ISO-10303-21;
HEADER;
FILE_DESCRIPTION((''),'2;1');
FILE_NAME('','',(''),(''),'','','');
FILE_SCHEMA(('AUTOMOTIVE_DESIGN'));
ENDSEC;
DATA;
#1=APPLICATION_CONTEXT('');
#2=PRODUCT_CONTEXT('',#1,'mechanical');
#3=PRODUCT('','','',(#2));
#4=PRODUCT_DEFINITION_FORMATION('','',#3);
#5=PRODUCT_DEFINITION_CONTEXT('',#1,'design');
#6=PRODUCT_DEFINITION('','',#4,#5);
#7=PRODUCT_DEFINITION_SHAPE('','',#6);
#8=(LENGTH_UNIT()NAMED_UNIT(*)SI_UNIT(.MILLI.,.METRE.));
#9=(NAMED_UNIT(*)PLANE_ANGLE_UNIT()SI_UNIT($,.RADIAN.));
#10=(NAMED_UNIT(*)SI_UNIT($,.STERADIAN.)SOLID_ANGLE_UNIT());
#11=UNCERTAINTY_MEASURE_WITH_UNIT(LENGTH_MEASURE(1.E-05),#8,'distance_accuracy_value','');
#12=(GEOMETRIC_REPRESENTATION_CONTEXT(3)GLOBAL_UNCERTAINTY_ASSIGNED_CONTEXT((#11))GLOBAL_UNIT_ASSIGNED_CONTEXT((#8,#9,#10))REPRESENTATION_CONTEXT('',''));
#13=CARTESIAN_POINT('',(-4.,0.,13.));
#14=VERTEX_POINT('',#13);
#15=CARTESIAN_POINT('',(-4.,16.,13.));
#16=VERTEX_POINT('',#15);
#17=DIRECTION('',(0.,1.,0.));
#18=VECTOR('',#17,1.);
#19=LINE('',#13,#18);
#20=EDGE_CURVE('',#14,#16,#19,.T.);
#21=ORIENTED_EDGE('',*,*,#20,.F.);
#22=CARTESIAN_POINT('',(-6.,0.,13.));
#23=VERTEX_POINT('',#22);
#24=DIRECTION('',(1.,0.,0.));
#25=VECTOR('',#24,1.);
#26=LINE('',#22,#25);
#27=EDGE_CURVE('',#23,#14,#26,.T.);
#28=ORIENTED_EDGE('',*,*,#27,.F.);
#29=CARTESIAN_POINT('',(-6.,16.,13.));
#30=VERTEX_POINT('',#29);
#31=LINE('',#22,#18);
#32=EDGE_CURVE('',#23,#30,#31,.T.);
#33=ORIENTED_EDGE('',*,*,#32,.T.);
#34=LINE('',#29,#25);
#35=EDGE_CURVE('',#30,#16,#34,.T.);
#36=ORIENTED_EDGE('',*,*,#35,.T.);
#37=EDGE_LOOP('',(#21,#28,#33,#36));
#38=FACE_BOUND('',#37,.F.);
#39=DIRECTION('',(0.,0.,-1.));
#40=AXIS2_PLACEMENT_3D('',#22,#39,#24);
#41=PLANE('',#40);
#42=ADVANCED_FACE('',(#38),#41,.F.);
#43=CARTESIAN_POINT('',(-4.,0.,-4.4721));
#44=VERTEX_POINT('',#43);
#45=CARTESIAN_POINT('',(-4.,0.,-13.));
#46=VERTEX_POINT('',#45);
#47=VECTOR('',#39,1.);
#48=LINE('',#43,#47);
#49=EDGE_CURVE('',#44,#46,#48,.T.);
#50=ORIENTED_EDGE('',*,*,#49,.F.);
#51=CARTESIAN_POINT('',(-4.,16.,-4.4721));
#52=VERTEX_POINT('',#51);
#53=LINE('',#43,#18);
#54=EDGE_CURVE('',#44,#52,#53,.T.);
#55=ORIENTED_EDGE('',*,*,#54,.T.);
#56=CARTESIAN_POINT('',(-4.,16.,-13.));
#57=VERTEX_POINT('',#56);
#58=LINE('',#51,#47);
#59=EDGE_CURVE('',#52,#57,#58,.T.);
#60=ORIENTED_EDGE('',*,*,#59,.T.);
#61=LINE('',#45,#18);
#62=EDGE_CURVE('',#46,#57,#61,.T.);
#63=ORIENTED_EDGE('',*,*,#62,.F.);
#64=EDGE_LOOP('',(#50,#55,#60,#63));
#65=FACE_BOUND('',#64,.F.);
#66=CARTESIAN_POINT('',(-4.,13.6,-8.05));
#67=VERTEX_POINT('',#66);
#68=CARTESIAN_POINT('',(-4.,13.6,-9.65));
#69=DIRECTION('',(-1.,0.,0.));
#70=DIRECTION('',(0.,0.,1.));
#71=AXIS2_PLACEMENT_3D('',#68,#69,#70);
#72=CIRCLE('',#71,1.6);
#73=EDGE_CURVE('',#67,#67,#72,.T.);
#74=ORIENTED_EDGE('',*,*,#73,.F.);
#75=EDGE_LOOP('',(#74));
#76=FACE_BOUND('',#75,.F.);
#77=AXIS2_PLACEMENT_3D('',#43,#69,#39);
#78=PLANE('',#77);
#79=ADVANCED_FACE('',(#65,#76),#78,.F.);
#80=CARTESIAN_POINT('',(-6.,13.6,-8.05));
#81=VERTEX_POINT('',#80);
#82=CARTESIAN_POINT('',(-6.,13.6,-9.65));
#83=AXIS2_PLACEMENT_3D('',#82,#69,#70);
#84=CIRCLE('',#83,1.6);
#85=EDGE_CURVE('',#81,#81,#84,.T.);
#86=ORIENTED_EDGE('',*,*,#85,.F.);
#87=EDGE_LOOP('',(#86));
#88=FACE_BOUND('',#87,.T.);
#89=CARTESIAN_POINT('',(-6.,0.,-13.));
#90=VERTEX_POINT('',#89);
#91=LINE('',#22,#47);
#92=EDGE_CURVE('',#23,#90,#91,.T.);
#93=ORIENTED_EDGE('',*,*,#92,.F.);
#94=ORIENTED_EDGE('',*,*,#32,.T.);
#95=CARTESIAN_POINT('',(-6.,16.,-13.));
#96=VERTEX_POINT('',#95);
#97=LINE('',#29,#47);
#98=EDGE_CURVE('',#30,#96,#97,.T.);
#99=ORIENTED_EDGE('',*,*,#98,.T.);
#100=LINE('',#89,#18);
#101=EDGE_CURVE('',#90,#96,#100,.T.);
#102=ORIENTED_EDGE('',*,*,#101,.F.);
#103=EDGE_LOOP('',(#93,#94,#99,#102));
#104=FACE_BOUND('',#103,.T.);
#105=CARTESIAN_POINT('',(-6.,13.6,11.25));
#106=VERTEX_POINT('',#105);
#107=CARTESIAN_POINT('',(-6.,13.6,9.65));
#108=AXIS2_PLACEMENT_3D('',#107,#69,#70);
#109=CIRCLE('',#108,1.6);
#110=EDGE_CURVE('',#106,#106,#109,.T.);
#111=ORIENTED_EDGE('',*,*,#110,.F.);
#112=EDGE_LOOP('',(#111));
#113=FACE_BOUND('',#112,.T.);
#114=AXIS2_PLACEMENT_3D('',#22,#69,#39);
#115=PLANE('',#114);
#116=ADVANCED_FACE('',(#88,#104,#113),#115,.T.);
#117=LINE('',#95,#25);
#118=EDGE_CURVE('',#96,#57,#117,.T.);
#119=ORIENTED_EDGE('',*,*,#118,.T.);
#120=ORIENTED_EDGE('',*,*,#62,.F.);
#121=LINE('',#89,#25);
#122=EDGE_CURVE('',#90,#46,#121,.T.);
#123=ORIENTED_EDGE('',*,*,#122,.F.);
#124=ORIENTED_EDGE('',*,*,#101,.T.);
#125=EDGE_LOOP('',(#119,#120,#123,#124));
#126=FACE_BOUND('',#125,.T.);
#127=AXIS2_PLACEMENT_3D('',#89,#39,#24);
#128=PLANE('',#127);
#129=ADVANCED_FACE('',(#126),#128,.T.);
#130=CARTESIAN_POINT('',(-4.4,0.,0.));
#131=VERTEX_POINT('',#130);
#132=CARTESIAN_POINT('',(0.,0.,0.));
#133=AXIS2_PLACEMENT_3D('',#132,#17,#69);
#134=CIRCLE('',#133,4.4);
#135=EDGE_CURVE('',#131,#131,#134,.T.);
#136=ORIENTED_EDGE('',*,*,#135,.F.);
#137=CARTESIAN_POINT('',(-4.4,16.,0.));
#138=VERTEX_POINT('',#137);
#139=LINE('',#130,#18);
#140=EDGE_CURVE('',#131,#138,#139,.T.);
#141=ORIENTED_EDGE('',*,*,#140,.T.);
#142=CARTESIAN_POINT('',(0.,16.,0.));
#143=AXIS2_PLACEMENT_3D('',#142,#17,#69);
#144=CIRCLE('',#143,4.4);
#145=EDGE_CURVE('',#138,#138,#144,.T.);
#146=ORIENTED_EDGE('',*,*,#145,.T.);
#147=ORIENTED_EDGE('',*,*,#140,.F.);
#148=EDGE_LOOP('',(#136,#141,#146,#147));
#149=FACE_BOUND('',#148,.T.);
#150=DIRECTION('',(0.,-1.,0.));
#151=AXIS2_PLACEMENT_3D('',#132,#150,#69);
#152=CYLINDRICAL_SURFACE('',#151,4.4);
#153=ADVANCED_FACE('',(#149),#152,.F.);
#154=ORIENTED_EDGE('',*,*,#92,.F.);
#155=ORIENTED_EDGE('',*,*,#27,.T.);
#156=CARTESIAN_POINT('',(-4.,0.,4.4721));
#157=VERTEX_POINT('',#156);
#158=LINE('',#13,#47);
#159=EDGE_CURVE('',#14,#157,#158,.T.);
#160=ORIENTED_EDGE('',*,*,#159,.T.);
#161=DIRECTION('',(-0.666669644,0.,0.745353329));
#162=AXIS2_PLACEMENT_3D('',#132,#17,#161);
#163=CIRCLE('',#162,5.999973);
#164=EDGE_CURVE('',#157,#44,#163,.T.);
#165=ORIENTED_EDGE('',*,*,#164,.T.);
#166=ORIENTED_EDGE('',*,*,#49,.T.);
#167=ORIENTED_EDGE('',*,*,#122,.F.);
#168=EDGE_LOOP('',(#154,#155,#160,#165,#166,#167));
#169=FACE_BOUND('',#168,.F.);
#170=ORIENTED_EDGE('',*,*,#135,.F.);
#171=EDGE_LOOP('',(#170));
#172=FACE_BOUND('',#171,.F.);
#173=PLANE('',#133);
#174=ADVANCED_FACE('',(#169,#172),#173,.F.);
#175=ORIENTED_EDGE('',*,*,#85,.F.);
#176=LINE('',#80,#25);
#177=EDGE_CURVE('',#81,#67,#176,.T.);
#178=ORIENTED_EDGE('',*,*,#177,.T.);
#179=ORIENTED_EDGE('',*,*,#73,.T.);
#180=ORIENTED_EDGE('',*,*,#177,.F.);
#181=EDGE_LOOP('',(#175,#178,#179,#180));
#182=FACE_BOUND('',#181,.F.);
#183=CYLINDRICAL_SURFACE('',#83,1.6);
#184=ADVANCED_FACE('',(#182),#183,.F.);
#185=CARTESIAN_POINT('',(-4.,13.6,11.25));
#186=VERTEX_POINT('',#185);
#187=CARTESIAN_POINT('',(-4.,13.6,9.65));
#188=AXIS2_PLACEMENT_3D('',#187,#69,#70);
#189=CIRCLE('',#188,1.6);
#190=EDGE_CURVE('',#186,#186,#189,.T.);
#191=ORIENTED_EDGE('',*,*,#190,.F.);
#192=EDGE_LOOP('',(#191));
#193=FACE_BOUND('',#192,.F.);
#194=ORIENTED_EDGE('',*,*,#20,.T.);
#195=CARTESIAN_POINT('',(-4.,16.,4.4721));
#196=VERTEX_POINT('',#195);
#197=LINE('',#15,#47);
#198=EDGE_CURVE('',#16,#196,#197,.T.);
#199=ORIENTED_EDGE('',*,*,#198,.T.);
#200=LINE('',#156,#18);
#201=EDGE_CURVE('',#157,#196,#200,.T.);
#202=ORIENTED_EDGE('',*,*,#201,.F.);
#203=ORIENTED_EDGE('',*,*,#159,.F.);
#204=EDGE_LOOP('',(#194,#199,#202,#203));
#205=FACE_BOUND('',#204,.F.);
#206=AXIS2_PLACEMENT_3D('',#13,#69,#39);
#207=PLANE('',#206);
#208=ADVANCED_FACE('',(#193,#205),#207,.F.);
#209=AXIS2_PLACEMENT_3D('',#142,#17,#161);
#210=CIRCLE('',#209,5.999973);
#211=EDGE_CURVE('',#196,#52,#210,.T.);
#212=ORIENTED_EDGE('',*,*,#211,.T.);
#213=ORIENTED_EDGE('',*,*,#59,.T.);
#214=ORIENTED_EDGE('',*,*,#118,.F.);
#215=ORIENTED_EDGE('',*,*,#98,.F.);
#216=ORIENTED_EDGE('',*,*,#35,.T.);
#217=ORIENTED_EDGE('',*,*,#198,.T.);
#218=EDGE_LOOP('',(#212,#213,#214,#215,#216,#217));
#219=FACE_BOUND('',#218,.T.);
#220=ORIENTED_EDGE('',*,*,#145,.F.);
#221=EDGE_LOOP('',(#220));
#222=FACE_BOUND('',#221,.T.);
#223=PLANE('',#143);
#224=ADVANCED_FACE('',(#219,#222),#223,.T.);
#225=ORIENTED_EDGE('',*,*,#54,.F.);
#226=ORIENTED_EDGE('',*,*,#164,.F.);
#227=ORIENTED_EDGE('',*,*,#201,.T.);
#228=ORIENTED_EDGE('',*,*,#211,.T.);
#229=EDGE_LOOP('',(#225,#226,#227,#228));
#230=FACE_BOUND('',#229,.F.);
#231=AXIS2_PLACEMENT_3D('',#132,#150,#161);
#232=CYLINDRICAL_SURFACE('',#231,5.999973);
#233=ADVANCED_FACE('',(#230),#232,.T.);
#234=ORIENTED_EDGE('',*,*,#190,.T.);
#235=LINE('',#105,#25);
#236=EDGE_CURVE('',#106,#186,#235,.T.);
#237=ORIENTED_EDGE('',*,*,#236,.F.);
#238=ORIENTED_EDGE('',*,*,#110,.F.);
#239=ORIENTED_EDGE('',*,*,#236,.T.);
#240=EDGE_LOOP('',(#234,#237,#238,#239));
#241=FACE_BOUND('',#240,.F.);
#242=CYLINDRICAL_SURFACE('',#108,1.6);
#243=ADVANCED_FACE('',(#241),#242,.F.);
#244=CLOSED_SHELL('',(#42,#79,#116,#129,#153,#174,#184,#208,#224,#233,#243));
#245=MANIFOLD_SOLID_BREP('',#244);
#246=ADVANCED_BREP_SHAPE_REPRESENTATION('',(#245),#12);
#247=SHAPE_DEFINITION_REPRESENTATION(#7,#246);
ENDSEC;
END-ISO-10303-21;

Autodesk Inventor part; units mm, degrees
ref_plane "YZ Plane" through (0, 0, 0) normal (1, 0, 0) x (0, 1, 0)
ref_plane "XZ Plane" through (0, 0, 0) normal (0, 1, 0) x (-1, 0, 0)
ref_plane "XY Plane" through (0, 0, 0) normal (0, 0, 1) x (1, 0, 0)
sketch "Sketch1" plane through (0, 0, 0) normal (0, 1, 0) x (-1, 0, 0)
  circle A0 centre (0, 0) radius 4.4
  line L0 (6, 13) -> (4, 13)
  line L1 (6, -13) -> (4, -13)
  arc A1 (4, 4.4721) -> (4, -4.4721) centre (0, 0) ccw
  line L2 (4, 13) -> (4, 4.4721)
  line L3 (4, -4.4721) -> (4, -13)
  line L4 (6, 13) -> (6, -13)
  dimension "d0" = 8.8
  dimension "d2" = 26
  dimension "d3" = 2
extrude "Extrusion1" add sketch "Sketch1" along normal blind 16
sketch "Sketch2" plane through (-6, 0, -13) normal (-1, 0, 0) x (0, 0, 1)
  circle A0 centre (3.35, 13.6) radius 1.6
  circle A1 centre (22.65, 13.6) radius 1.6
  line L0 (8.5279, 16) -> (0, 16) projected
  line L1 (0, 16) -> (26, 16) projected
  point P0 (13, 0)
  dimension "d10" = 3.2
  dimension "d11" = 3.2
  dimension "d14" = 2.4
  dimension "d15" = 2.4
extrude "Extrusion2" cut sketch "Sketch2" against normal blind 16
properties part number "Support endStop v3"
